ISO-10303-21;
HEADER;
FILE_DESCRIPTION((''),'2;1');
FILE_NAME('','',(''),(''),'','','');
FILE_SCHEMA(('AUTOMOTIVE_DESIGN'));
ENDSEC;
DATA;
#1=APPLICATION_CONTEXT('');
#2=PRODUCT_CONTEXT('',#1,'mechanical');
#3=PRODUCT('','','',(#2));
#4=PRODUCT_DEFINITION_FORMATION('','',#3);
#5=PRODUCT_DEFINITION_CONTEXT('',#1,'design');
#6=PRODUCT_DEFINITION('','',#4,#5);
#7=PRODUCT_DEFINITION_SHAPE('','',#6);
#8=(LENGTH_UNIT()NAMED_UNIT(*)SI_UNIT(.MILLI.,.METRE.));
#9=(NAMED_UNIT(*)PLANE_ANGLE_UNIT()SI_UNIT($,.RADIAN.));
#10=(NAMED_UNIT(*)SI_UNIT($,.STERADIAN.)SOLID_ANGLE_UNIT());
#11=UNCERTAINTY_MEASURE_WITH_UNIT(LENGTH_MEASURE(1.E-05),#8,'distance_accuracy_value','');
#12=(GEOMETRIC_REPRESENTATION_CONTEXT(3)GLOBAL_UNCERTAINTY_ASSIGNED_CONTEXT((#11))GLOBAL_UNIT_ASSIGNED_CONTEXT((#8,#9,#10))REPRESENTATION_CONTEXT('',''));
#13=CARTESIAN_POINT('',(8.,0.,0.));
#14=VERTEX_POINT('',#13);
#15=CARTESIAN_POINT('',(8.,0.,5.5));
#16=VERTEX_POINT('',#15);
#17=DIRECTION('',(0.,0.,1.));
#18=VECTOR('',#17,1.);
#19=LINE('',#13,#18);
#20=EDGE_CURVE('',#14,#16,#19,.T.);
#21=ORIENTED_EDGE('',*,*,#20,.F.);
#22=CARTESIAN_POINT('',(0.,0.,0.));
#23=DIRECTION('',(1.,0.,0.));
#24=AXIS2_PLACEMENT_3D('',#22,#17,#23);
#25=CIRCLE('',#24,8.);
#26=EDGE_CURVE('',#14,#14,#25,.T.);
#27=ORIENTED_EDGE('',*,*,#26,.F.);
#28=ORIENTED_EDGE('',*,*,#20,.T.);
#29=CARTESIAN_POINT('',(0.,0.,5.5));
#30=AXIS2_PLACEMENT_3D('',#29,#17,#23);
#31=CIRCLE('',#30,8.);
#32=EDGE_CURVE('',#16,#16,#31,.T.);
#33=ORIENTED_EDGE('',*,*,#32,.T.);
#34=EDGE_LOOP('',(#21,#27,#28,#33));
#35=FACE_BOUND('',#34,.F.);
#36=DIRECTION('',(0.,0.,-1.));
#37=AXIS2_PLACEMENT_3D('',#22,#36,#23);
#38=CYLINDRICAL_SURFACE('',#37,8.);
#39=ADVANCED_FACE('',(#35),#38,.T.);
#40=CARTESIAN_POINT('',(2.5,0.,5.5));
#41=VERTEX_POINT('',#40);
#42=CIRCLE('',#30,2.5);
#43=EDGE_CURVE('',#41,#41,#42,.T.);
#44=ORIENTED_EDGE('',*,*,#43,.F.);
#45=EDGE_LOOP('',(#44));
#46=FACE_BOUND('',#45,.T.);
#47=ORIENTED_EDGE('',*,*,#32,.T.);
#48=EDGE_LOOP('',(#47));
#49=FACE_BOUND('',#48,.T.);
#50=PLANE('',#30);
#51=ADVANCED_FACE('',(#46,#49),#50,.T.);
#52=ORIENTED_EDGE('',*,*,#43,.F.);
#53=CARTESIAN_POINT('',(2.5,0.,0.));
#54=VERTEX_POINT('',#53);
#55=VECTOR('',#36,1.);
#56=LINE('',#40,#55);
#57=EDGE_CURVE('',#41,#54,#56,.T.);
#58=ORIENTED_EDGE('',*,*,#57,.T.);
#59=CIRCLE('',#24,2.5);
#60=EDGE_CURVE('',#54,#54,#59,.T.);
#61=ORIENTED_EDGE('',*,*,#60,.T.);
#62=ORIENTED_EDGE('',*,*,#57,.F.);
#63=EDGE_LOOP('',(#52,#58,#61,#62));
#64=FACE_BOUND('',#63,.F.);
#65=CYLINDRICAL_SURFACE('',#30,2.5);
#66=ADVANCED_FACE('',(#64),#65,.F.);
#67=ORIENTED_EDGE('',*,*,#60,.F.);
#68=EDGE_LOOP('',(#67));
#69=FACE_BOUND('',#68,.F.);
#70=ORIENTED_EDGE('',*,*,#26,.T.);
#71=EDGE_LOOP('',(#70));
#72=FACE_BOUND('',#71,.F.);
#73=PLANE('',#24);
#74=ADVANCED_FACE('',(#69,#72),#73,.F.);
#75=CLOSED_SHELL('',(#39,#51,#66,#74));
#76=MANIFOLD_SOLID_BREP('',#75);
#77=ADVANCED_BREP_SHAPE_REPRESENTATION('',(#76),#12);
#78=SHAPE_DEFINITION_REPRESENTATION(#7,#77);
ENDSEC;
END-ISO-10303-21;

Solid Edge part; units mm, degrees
sketch "Sketch1" plane through (0, 0, 0) normal (0, 0, 1) x (1, 0, 0)
  circle A0 centre (0, 0) radius 8
  dimension "D1" = 16
extrude "Protrusion1" add sketch "Sketch1" along normal blind 5.5
sketch "Sketch2" plane through (0, 0, 5.5) normal (0, 0, 1) x (1, 0, 0)
  circle A0 centre (0, 0) radius 2.5
  dimension "D1" = 5
extrude "Cutout1" cut sketch "Sketch2" against normal through all
